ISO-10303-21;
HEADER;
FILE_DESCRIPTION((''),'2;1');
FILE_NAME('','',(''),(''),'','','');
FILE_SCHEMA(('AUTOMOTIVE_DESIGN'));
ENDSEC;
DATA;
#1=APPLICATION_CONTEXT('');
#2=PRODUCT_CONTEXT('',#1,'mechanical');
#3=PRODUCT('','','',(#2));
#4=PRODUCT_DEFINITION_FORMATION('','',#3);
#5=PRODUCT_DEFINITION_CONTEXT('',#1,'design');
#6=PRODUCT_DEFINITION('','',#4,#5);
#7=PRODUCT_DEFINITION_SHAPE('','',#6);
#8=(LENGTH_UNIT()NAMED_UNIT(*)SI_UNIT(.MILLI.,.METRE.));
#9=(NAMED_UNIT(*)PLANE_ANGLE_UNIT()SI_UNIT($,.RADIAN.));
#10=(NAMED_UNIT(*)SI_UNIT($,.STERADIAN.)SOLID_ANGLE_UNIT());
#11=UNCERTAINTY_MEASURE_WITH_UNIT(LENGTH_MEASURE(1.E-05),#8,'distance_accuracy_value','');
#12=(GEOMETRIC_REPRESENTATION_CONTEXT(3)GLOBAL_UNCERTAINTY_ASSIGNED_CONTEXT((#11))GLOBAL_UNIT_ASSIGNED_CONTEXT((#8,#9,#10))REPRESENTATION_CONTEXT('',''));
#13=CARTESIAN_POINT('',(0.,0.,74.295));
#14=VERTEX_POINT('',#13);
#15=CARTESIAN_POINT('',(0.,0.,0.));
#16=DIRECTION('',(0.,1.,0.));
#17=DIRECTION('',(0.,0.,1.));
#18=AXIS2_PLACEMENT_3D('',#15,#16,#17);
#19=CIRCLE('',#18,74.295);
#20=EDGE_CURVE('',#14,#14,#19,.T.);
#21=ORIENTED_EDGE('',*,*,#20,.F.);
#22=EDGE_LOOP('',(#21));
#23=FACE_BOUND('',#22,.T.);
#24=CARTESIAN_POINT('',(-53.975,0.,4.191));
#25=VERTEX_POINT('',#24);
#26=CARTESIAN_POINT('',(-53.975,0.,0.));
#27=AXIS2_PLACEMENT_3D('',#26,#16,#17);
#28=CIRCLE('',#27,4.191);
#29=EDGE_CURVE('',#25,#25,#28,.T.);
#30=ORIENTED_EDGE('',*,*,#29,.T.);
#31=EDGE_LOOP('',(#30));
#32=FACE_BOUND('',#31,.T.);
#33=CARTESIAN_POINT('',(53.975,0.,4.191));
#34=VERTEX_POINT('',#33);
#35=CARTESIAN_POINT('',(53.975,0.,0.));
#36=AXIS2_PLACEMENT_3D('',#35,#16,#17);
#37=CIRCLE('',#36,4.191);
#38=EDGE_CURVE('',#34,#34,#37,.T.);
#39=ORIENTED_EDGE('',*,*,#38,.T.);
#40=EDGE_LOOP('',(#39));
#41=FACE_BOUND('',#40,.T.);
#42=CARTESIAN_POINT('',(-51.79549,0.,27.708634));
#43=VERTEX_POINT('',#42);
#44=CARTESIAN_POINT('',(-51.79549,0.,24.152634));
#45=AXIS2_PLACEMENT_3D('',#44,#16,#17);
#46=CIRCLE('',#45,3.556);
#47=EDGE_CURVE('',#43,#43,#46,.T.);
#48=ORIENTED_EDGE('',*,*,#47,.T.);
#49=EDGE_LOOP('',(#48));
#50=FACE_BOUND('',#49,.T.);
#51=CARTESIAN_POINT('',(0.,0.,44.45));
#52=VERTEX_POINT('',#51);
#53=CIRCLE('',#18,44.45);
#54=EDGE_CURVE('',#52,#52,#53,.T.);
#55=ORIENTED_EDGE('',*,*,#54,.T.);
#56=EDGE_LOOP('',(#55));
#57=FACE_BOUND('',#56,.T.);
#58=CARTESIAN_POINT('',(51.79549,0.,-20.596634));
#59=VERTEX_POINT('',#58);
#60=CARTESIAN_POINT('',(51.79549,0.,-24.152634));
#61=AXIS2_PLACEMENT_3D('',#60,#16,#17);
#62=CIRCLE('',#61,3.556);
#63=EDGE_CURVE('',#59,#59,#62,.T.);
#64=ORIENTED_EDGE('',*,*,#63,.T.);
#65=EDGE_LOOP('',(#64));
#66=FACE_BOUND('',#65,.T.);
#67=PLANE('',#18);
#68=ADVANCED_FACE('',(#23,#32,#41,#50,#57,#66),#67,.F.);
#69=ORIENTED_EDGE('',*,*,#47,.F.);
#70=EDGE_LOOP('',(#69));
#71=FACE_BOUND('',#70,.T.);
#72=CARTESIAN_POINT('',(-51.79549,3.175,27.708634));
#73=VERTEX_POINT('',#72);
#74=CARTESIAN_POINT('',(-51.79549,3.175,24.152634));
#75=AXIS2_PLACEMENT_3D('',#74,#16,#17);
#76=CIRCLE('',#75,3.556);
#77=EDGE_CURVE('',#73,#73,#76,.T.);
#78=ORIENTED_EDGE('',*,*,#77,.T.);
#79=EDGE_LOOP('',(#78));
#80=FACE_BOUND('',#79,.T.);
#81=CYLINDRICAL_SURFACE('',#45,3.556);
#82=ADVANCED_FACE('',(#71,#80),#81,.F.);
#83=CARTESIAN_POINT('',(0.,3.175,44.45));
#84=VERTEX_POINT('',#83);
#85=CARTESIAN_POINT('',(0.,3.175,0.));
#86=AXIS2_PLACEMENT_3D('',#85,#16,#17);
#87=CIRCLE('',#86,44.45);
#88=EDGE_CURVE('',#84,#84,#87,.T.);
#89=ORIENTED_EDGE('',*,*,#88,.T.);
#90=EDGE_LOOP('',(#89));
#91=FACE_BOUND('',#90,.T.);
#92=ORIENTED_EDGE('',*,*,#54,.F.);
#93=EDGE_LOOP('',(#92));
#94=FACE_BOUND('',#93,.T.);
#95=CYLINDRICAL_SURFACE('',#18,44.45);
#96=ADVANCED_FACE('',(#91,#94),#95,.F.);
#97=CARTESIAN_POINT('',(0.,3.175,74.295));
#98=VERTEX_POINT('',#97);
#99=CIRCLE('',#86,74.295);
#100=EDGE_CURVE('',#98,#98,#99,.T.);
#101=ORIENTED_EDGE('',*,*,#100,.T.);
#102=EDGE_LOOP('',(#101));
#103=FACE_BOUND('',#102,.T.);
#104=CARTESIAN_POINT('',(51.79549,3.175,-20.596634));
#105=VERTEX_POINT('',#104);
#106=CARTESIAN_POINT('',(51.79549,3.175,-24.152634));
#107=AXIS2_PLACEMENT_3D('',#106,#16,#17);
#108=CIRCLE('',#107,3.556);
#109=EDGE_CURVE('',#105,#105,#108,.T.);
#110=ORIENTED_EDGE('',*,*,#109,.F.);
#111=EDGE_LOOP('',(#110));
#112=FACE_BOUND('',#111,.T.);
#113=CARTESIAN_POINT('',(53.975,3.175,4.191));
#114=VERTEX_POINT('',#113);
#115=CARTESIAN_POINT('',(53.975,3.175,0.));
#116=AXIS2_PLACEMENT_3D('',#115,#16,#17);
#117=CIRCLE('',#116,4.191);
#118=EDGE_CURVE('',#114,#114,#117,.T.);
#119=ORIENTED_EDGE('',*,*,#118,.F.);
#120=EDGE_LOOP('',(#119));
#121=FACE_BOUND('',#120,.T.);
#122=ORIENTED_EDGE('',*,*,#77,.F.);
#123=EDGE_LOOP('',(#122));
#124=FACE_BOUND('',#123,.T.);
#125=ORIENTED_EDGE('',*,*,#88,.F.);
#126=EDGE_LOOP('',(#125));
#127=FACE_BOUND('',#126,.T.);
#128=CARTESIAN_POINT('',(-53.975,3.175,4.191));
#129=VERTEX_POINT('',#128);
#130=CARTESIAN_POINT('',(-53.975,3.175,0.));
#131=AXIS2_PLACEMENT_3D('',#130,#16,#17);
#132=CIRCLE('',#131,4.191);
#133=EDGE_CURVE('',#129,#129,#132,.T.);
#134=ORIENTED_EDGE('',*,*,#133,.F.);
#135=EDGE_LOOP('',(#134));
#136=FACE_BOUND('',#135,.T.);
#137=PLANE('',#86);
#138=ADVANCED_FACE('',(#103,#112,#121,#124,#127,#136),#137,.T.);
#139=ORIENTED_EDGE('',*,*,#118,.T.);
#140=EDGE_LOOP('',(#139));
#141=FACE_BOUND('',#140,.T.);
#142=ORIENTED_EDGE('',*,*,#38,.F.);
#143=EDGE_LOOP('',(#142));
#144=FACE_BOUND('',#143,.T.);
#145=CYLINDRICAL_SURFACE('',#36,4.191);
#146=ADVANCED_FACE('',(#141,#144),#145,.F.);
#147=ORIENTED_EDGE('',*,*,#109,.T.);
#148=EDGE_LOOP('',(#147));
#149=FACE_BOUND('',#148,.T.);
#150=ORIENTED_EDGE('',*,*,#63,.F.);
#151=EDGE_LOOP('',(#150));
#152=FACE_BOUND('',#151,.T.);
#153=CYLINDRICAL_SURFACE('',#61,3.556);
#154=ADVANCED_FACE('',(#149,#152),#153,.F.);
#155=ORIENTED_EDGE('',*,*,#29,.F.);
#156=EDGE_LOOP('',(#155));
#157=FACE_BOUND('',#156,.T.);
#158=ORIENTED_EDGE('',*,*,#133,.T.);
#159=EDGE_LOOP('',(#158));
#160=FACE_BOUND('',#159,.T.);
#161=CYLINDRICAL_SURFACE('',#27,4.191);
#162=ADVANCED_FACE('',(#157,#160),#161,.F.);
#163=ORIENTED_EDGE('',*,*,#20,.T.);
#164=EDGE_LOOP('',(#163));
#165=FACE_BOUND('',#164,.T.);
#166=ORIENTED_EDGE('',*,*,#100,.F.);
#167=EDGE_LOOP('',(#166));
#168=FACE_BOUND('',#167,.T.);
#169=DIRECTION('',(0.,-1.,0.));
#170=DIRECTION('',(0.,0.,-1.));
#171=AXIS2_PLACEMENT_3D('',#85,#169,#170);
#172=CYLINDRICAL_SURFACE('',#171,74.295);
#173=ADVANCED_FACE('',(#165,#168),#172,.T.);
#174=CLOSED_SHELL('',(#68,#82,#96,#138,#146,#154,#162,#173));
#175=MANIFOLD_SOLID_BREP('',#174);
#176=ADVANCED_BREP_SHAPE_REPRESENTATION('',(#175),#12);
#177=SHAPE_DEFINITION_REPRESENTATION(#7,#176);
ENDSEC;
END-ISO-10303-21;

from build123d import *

# Parameters (mm, degrees)
SKETCH1_R           = 74.295
BOSS_EXTRUDE1_DEPTH = 3.175
SKETCH2_R           = 3.556
SKETCH2_R_2         = 4.191
CUT_EXTRUDE1_DEPTH  = 3.175
SKETCH3_R           = 44.45
CUT_EXTRUDE2_DEPTH  = 3.175


with BuildPart() as part:
    # Sketch1 → Boss-Extrude1 (new body)
    with BuildSketch(Plane(origin=(0, 0, 0), x_dir=(1, 0, 0), z_dir=(0, 1, 0))):
        with Locations(Location((0, 0, 0), (0, 0, 270))):
            Circle(SKETCH1_R)
    extrude(amount=BOSS_EXTRUDE1_DEPTH)

    # Sketch2 → Cut-Extrude1 (cut)
    with BuildSketch(Plane(origin=(0, 3.175, 0), x_dir=(1, 0, 0), z_dir=(0, 1, 0))):
        with Locations(Location((-51.795490029, -24.152633658, 0), (0, 0, 270))):
            Circle(SKETCH2_R)
        with Locations(Location((51.795490029, 24.152633658, 0), (0, 0, 270))):
            Circle(SKETCH2_R)
        with Locations(Location((-53.975, 0, 0), (0, 0, 270))):
            Circle(SKETCH2_R_2)
        with Locations(Location((53.975, 0, 0), (0, 0, 270))):
            Circle(SKETCH2_R_2)
    extrude(amount=-CUT_EXTRUDE1_DEPTH, mode=Mode.SUBTRACT)

    # Sketch3 → Cut-Extrude2 (cut)
    with BuildSketch(Plane(origin=(0, 3.175, 0), x_dir=(1, 0, 0), z_dir=(0, 1, 0))):
        with Locations(Location((0, 0, 0), (0, 0, 270))):
            Circle(SKETCH3_R)
    extrude(amount=-CUT_EXTRUDE2_DEPTH, mode=Mode.SUBTRACT)


solid = part.part
